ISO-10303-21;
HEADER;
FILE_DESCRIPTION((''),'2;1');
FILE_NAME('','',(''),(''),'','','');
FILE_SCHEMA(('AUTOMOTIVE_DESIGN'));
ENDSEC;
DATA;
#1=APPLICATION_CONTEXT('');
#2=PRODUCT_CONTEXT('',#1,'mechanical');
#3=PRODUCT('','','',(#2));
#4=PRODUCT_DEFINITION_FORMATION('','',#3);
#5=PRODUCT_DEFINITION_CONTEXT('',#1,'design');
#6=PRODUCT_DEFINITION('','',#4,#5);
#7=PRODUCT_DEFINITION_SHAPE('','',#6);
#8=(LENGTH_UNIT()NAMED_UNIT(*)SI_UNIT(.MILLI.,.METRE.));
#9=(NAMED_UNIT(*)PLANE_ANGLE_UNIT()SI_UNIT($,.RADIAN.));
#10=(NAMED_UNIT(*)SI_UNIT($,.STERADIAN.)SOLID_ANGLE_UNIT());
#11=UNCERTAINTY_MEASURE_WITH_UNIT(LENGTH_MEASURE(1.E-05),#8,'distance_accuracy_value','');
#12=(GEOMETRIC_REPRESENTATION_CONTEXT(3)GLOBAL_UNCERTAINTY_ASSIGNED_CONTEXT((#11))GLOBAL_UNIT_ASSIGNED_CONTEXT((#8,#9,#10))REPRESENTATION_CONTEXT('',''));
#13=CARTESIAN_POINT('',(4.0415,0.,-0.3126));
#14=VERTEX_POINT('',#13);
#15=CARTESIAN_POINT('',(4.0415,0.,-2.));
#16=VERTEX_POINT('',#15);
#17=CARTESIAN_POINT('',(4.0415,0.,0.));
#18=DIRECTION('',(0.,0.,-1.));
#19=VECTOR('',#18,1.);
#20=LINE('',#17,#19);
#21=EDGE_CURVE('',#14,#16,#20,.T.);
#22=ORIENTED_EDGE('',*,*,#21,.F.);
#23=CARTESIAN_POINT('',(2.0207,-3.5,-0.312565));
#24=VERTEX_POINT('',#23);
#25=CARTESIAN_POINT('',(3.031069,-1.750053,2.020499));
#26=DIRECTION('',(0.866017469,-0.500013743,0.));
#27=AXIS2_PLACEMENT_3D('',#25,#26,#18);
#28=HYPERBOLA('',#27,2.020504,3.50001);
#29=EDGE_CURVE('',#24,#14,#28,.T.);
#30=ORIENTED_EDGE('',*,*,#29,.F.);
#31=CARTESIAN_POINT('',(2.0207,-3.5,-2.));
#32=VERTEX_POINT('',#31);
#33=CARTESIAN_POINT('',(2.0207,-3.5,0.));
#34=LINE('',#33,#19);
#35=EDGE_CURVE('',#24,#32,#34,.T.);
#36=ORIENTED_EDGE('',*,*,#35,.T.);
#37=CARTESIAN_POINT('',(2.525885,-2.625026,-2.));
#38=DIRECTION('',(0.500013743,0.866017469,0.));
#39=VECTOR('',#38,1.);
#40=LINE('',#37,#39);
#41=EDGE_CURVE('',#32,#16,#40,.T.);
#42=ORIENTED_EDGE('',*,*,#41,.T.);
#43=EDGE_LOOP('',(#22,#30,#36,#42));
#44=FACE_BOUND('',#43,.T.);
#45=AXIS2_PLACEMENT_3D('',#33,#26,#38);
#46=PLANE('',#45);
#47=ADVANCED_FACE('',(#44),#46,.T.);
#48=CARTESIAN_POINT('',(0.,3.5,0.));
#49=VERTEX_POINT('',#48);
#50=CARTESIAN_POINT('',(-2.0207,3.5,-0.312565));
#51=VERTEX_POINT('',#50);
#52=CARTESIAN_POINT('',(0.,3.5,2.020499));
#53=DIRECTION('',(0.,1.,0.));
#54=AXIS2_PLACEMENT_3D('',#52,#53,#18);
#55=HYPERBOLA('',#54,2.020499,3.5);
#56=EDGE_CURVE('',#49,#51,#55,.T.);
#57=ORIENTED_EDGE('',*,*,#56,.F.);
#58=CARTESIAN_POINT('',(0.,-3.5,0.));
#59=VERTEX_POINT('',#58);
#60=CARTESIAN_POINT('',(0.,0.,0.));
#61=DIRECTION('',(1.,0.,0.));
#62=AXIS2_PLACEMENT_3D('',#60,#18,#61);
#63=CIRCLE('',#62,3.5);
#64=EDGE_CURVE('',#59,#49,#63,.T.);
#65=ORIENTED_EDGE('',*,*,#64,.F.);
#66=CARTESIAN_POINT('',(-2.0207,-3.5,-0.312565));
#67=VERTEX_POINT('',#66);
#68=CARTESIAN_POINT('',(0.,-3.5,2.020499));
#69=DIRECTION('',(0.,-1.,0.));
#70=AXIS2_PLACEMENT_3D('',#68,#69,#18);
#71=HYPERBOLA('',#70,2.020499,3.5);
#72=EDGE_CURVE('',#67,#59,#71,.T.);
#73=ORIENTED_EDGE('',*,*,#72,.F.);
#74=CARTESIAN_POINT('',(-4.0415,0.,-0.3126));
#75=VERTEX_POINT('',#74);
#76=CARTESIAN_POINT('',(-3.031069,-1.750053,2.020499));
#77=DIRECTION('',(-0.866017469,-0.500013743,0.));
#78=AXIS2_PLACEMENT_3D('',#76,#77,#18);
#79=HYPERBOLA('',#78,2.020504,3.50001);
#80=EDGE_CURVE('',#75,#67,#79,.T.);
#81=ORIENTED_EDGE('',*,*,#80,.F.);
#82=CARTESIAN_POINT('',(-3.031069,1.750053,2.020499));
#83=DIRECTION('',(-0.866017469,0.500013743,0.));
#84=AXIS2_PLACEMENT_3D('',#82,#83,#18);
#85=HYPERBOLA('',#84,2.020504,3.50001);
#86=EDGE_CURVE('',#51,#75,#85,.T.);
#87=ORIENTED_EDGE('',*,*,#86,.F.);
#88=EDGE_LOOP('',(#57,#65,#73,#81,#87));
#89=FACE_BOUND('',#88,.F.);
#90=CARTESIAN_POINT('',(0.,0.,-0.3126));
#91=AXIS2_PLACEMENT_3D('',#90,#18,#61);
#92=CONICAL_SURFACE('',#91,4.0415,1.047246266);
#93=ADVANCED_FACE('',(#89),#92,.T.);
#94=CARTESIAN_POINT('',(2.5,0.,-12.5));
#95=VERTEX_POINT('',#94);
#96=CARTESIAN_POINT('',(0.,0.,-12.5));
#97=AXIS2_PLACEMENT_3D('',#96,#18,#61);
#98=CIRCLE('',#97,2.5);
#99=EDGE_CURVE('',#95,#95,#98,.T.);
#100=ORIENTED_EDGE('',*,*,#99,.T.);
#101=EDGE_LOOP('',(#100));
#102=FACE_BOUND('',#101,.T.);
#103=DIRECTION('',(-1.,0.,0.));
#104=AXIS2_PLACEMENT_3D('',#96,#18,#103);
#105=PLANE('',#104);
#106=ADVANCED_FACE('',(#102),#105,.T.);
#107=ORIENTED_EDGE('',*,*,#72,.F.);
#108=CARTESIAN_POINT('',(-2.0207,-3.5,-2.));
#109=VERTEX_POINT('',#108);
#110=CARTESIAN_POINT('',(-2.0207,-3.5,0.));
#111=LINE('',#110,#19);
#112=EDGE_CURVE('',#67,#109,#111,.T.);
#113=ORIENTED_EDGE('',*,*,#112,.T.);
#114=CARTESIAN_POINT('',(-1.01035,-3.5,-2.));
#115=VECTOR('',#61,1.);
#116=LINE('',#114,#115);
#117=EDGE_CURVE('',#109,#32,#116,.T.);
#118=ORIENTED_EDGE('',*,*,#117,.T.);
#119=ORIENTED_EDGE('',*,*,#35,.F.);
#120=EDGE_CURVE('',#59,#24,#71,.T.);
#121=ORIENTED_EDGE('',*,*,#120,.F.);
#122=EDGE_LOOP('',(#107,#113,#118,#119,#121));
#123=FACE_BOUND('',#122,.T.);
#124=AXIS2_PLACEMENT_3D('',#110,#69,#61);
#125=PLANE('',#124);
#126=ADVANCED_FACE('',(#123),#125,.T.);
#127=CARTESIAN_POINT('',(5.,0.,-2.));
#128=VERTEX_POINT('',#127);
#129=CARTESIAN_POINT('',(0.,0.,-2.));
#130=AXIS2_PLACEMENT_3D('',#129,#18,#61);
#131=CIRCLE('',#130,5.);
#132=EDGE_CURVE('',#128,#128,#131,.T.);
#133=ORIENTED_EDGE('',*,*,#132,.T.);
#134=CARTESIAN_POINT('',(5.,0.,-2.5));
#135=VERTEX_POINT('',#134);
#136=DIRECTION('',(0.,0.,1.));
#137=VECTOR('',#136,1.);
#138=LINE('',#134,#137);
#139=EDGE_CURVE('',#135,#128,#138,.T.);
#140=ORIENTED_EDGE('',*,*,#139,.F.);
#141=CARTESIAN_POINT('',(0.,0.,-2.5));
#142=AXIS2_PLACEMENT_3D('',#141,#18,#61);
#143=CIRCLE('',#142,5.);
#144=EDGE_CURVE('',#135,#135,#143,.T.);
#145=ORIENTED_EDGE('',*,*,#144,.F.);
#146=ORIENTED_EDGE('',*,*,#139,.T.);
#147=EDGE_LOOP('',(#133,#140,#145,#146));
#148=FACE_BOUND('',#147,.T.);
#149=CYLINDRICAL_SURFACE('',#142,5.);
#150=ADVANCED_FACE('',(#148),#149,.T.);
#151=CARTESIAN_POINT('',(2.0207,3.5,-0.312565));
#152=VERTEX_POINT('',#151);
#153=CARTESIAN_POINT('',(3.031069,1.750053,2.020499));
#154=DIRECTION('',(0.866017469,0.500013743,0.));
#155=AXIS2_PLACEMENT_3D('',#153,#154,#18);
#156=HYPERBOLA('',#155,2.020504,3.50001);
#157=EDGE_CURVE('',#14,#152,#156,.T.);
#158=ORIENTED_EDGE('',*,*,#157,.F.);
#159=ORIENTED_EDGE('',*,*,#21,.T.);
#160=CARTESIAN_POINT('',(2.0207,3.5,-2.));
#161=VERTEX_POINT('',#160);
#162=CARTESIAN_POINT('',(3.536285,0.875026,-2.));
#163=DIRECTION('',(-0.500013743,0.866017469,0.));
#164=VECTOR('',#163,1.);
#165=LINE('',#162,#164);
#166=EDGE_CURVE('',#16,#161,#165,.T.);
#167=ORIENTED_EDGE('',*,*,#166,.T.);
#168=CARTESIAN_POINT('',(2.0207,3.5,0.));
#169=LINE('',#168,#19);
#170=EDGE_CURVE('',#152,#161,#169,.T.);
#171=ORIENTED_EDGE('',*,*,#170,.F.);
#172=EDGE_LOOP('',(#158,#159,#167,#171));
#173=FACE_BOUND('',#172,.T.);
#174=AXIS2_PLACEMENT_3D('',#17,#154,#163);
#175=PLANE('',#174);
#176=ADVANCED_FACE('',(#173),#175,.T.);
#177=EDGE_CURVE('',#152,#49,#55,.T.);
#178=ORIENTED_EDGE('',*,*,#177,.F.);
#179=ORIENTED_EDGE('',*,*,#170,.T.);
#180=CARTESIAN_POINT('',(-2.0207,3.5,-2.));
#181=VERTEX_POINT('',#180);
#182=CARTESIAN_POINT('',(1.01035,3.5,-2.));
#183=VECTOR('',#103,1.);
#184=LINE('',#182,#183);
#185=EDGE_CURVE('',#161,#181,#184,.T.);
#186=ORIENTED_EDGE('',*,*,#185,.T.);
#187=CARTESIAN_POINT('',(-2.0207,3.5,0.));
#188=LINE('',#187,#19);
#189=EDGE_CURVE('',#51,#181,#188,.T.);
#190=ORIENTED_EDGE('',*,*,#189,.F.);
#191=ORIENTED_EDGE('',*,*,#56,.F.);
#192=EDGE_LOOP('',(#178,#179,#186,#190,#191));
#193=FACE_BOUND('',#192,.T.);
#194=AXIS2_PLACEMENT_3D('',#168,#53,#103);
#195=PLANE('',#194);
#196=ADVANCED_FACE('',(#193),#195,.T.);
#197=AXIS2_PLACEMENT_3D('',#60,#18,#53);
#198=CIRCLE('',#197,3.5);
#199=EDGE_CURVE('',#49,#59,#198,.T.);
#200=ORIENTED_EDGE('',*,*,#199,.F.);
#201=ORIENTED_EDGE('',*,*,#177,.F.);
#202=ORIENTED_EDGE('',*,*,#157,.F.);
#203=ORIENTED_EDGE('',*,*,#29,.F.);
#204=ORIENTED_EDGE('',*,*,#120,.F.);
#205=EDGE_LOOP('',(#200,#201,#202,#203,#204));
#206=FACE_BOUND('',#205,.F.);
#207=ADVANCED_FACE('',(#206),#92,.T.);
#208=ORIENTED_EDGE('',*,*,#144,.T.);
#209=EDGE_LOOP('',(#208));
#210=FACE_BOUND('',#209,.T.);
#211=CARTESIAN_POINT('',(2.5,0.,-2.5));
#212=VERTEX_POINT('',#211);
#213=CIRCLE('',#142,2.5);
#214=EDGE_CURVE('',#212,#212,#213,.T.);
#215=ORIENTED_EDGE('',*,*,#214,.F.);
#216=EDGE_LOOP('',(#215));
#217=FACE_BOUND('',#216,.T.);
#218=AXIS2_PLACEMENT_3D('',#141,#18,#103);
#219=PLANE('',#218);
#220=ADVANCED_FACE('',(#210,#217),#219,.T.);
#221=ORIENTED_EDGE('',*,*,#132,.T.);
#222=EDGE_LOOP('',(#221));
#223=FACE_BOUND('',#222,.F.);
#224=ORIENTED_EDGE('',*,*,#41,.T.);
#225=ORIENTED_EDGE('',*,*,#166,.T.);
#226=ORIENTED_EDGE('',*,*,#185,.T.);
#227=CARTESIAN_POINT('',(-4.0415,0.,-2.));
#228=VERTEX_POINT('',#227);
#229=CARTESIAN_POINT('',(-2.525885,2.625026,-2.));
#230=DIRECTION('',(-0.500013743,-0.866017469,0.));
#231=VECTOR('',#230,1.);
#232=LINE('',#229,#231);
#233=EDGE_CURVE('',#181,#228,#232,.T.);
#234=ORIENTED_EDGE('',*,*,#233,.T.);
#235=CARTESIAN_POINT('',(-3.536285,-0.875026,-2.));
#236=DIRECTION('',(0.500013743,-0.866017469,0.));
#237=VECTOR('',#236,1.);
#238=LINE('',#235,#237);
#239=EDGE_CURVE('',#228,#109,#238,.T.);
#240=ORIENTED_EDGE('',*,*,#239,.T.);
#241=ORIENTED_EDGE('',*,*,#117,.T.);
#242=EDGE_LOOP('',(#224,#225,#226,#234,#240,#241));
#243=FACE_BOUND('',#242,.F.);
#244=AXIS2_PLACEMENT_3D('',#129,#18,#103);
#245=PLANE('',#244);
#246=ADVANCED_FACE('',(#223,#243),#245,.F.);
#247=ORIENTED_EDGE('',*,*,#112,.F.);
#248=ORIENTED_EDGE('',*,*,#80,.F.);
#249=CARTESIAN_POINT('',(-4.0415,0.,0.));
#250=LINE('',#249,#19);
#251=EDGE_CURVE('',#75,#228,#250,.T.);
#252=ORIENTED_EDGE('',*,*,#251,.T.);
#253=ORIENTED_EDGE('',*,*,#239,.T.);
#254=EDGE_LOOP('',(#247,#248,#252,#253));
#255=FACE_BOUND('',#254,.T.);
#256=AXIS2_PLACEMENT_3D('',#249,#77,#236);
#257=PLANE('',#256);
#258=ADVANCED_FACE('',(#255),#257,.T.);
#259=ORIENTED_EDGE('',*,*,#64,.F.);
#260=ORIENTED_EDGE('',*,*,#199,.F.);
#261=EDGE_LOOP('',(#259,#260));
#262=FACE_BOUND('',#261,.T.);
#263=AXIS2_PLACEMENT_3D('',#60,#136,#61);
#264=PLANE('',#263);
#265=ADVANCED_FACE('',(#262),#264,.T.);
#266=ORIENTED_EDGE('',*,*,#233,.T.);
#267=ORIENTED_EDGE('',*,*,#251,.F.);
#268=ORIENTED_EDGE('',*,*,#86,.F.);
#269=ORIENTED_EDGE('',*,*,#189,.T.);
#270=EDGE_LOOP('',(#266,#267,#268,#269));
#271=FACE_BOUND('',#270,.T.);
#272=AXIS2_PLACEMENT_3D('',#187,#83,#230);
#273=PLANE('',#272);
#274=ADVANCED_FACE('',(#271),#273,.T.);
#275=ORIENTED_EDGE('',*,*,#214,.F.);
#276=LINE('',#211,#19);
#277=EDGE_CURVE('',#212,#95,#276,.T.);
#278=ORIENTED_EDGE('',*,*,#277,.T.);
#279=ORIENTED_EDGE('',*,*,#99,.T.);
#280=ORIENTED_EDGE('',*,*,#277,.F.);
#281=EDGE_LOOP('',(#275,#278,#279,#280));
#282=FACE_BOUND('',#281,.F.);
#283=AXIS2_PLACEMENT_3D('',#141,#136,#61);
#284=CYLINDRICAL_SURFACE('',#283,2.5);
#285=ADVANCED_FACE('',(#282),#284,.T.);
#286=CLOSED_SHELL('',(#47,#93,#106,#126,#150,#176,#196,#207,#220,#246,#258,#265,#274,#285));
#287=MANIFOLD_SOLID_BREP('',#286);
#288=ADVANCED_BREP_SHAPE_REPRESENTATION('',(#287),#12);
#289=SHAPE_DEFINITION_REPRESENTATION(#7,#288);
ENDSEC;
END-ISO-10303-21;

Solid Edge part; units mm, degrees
sketch "Sketch1" plane through (0, 0, 0) normal (0, 0, 1) x (1, 0, 0)
  line L0 (2.0207, 3.5) -> (-2.0207, 3.5)
  line L1 (-2.0207, 3.5) -> (-4.0415, 0)
  line L2 (-4.0415, 0) -> (-2.0207, -3.5)
  line L3 (-2.0207, -3.5) -> (2.0207, -3.5)
  line L4 (2.0207, -3.5) -> (4.0415, 0)
  line L5 (4.0415, 0) -> (2.0207, 3.5)
extrude "Protrusion1" add sketch "Sketch1" against normal blind 2.5
sketch "Sketch2" plane through (19.7841, 16.7997, -2.5) normal (0, 0, -1) x (1, 0, 0)
  circle A0 centre (-19.7841, 16.7997) radius 5
extrude "ExtrudedProtrusion_2" add sketch "Sketch2" against normal blind 0.5
sketch "Sketch3" plane through (19.7841, 16.7997, -2.5) normal (0, 0, -1) x (1, 0, 0)
  circle A0 centre (-19.7841, 16.7997) radius 2.5
extrude "ExtrudedProtrusion_3" add sketch "Sketch3" along normal blind 10
sketch "Sketch4" plane through (0, 0, 0) normal (0, -1, 0) x (1, 0, 0)
  line L0 (3.5, 0) -> (4.0415, 0)
  line L1 (4.0415, 0) -> (4.0415, -0.3126)
  line L2 (4.0415, -0.3126) -> (3.5, 0)
  dimension "D1" = 3.5
revolve "RevolvedCutout1" cut sketch "Sketch4" angle 360 about axis through (0, 0, 54) along (0, 0, -1)
